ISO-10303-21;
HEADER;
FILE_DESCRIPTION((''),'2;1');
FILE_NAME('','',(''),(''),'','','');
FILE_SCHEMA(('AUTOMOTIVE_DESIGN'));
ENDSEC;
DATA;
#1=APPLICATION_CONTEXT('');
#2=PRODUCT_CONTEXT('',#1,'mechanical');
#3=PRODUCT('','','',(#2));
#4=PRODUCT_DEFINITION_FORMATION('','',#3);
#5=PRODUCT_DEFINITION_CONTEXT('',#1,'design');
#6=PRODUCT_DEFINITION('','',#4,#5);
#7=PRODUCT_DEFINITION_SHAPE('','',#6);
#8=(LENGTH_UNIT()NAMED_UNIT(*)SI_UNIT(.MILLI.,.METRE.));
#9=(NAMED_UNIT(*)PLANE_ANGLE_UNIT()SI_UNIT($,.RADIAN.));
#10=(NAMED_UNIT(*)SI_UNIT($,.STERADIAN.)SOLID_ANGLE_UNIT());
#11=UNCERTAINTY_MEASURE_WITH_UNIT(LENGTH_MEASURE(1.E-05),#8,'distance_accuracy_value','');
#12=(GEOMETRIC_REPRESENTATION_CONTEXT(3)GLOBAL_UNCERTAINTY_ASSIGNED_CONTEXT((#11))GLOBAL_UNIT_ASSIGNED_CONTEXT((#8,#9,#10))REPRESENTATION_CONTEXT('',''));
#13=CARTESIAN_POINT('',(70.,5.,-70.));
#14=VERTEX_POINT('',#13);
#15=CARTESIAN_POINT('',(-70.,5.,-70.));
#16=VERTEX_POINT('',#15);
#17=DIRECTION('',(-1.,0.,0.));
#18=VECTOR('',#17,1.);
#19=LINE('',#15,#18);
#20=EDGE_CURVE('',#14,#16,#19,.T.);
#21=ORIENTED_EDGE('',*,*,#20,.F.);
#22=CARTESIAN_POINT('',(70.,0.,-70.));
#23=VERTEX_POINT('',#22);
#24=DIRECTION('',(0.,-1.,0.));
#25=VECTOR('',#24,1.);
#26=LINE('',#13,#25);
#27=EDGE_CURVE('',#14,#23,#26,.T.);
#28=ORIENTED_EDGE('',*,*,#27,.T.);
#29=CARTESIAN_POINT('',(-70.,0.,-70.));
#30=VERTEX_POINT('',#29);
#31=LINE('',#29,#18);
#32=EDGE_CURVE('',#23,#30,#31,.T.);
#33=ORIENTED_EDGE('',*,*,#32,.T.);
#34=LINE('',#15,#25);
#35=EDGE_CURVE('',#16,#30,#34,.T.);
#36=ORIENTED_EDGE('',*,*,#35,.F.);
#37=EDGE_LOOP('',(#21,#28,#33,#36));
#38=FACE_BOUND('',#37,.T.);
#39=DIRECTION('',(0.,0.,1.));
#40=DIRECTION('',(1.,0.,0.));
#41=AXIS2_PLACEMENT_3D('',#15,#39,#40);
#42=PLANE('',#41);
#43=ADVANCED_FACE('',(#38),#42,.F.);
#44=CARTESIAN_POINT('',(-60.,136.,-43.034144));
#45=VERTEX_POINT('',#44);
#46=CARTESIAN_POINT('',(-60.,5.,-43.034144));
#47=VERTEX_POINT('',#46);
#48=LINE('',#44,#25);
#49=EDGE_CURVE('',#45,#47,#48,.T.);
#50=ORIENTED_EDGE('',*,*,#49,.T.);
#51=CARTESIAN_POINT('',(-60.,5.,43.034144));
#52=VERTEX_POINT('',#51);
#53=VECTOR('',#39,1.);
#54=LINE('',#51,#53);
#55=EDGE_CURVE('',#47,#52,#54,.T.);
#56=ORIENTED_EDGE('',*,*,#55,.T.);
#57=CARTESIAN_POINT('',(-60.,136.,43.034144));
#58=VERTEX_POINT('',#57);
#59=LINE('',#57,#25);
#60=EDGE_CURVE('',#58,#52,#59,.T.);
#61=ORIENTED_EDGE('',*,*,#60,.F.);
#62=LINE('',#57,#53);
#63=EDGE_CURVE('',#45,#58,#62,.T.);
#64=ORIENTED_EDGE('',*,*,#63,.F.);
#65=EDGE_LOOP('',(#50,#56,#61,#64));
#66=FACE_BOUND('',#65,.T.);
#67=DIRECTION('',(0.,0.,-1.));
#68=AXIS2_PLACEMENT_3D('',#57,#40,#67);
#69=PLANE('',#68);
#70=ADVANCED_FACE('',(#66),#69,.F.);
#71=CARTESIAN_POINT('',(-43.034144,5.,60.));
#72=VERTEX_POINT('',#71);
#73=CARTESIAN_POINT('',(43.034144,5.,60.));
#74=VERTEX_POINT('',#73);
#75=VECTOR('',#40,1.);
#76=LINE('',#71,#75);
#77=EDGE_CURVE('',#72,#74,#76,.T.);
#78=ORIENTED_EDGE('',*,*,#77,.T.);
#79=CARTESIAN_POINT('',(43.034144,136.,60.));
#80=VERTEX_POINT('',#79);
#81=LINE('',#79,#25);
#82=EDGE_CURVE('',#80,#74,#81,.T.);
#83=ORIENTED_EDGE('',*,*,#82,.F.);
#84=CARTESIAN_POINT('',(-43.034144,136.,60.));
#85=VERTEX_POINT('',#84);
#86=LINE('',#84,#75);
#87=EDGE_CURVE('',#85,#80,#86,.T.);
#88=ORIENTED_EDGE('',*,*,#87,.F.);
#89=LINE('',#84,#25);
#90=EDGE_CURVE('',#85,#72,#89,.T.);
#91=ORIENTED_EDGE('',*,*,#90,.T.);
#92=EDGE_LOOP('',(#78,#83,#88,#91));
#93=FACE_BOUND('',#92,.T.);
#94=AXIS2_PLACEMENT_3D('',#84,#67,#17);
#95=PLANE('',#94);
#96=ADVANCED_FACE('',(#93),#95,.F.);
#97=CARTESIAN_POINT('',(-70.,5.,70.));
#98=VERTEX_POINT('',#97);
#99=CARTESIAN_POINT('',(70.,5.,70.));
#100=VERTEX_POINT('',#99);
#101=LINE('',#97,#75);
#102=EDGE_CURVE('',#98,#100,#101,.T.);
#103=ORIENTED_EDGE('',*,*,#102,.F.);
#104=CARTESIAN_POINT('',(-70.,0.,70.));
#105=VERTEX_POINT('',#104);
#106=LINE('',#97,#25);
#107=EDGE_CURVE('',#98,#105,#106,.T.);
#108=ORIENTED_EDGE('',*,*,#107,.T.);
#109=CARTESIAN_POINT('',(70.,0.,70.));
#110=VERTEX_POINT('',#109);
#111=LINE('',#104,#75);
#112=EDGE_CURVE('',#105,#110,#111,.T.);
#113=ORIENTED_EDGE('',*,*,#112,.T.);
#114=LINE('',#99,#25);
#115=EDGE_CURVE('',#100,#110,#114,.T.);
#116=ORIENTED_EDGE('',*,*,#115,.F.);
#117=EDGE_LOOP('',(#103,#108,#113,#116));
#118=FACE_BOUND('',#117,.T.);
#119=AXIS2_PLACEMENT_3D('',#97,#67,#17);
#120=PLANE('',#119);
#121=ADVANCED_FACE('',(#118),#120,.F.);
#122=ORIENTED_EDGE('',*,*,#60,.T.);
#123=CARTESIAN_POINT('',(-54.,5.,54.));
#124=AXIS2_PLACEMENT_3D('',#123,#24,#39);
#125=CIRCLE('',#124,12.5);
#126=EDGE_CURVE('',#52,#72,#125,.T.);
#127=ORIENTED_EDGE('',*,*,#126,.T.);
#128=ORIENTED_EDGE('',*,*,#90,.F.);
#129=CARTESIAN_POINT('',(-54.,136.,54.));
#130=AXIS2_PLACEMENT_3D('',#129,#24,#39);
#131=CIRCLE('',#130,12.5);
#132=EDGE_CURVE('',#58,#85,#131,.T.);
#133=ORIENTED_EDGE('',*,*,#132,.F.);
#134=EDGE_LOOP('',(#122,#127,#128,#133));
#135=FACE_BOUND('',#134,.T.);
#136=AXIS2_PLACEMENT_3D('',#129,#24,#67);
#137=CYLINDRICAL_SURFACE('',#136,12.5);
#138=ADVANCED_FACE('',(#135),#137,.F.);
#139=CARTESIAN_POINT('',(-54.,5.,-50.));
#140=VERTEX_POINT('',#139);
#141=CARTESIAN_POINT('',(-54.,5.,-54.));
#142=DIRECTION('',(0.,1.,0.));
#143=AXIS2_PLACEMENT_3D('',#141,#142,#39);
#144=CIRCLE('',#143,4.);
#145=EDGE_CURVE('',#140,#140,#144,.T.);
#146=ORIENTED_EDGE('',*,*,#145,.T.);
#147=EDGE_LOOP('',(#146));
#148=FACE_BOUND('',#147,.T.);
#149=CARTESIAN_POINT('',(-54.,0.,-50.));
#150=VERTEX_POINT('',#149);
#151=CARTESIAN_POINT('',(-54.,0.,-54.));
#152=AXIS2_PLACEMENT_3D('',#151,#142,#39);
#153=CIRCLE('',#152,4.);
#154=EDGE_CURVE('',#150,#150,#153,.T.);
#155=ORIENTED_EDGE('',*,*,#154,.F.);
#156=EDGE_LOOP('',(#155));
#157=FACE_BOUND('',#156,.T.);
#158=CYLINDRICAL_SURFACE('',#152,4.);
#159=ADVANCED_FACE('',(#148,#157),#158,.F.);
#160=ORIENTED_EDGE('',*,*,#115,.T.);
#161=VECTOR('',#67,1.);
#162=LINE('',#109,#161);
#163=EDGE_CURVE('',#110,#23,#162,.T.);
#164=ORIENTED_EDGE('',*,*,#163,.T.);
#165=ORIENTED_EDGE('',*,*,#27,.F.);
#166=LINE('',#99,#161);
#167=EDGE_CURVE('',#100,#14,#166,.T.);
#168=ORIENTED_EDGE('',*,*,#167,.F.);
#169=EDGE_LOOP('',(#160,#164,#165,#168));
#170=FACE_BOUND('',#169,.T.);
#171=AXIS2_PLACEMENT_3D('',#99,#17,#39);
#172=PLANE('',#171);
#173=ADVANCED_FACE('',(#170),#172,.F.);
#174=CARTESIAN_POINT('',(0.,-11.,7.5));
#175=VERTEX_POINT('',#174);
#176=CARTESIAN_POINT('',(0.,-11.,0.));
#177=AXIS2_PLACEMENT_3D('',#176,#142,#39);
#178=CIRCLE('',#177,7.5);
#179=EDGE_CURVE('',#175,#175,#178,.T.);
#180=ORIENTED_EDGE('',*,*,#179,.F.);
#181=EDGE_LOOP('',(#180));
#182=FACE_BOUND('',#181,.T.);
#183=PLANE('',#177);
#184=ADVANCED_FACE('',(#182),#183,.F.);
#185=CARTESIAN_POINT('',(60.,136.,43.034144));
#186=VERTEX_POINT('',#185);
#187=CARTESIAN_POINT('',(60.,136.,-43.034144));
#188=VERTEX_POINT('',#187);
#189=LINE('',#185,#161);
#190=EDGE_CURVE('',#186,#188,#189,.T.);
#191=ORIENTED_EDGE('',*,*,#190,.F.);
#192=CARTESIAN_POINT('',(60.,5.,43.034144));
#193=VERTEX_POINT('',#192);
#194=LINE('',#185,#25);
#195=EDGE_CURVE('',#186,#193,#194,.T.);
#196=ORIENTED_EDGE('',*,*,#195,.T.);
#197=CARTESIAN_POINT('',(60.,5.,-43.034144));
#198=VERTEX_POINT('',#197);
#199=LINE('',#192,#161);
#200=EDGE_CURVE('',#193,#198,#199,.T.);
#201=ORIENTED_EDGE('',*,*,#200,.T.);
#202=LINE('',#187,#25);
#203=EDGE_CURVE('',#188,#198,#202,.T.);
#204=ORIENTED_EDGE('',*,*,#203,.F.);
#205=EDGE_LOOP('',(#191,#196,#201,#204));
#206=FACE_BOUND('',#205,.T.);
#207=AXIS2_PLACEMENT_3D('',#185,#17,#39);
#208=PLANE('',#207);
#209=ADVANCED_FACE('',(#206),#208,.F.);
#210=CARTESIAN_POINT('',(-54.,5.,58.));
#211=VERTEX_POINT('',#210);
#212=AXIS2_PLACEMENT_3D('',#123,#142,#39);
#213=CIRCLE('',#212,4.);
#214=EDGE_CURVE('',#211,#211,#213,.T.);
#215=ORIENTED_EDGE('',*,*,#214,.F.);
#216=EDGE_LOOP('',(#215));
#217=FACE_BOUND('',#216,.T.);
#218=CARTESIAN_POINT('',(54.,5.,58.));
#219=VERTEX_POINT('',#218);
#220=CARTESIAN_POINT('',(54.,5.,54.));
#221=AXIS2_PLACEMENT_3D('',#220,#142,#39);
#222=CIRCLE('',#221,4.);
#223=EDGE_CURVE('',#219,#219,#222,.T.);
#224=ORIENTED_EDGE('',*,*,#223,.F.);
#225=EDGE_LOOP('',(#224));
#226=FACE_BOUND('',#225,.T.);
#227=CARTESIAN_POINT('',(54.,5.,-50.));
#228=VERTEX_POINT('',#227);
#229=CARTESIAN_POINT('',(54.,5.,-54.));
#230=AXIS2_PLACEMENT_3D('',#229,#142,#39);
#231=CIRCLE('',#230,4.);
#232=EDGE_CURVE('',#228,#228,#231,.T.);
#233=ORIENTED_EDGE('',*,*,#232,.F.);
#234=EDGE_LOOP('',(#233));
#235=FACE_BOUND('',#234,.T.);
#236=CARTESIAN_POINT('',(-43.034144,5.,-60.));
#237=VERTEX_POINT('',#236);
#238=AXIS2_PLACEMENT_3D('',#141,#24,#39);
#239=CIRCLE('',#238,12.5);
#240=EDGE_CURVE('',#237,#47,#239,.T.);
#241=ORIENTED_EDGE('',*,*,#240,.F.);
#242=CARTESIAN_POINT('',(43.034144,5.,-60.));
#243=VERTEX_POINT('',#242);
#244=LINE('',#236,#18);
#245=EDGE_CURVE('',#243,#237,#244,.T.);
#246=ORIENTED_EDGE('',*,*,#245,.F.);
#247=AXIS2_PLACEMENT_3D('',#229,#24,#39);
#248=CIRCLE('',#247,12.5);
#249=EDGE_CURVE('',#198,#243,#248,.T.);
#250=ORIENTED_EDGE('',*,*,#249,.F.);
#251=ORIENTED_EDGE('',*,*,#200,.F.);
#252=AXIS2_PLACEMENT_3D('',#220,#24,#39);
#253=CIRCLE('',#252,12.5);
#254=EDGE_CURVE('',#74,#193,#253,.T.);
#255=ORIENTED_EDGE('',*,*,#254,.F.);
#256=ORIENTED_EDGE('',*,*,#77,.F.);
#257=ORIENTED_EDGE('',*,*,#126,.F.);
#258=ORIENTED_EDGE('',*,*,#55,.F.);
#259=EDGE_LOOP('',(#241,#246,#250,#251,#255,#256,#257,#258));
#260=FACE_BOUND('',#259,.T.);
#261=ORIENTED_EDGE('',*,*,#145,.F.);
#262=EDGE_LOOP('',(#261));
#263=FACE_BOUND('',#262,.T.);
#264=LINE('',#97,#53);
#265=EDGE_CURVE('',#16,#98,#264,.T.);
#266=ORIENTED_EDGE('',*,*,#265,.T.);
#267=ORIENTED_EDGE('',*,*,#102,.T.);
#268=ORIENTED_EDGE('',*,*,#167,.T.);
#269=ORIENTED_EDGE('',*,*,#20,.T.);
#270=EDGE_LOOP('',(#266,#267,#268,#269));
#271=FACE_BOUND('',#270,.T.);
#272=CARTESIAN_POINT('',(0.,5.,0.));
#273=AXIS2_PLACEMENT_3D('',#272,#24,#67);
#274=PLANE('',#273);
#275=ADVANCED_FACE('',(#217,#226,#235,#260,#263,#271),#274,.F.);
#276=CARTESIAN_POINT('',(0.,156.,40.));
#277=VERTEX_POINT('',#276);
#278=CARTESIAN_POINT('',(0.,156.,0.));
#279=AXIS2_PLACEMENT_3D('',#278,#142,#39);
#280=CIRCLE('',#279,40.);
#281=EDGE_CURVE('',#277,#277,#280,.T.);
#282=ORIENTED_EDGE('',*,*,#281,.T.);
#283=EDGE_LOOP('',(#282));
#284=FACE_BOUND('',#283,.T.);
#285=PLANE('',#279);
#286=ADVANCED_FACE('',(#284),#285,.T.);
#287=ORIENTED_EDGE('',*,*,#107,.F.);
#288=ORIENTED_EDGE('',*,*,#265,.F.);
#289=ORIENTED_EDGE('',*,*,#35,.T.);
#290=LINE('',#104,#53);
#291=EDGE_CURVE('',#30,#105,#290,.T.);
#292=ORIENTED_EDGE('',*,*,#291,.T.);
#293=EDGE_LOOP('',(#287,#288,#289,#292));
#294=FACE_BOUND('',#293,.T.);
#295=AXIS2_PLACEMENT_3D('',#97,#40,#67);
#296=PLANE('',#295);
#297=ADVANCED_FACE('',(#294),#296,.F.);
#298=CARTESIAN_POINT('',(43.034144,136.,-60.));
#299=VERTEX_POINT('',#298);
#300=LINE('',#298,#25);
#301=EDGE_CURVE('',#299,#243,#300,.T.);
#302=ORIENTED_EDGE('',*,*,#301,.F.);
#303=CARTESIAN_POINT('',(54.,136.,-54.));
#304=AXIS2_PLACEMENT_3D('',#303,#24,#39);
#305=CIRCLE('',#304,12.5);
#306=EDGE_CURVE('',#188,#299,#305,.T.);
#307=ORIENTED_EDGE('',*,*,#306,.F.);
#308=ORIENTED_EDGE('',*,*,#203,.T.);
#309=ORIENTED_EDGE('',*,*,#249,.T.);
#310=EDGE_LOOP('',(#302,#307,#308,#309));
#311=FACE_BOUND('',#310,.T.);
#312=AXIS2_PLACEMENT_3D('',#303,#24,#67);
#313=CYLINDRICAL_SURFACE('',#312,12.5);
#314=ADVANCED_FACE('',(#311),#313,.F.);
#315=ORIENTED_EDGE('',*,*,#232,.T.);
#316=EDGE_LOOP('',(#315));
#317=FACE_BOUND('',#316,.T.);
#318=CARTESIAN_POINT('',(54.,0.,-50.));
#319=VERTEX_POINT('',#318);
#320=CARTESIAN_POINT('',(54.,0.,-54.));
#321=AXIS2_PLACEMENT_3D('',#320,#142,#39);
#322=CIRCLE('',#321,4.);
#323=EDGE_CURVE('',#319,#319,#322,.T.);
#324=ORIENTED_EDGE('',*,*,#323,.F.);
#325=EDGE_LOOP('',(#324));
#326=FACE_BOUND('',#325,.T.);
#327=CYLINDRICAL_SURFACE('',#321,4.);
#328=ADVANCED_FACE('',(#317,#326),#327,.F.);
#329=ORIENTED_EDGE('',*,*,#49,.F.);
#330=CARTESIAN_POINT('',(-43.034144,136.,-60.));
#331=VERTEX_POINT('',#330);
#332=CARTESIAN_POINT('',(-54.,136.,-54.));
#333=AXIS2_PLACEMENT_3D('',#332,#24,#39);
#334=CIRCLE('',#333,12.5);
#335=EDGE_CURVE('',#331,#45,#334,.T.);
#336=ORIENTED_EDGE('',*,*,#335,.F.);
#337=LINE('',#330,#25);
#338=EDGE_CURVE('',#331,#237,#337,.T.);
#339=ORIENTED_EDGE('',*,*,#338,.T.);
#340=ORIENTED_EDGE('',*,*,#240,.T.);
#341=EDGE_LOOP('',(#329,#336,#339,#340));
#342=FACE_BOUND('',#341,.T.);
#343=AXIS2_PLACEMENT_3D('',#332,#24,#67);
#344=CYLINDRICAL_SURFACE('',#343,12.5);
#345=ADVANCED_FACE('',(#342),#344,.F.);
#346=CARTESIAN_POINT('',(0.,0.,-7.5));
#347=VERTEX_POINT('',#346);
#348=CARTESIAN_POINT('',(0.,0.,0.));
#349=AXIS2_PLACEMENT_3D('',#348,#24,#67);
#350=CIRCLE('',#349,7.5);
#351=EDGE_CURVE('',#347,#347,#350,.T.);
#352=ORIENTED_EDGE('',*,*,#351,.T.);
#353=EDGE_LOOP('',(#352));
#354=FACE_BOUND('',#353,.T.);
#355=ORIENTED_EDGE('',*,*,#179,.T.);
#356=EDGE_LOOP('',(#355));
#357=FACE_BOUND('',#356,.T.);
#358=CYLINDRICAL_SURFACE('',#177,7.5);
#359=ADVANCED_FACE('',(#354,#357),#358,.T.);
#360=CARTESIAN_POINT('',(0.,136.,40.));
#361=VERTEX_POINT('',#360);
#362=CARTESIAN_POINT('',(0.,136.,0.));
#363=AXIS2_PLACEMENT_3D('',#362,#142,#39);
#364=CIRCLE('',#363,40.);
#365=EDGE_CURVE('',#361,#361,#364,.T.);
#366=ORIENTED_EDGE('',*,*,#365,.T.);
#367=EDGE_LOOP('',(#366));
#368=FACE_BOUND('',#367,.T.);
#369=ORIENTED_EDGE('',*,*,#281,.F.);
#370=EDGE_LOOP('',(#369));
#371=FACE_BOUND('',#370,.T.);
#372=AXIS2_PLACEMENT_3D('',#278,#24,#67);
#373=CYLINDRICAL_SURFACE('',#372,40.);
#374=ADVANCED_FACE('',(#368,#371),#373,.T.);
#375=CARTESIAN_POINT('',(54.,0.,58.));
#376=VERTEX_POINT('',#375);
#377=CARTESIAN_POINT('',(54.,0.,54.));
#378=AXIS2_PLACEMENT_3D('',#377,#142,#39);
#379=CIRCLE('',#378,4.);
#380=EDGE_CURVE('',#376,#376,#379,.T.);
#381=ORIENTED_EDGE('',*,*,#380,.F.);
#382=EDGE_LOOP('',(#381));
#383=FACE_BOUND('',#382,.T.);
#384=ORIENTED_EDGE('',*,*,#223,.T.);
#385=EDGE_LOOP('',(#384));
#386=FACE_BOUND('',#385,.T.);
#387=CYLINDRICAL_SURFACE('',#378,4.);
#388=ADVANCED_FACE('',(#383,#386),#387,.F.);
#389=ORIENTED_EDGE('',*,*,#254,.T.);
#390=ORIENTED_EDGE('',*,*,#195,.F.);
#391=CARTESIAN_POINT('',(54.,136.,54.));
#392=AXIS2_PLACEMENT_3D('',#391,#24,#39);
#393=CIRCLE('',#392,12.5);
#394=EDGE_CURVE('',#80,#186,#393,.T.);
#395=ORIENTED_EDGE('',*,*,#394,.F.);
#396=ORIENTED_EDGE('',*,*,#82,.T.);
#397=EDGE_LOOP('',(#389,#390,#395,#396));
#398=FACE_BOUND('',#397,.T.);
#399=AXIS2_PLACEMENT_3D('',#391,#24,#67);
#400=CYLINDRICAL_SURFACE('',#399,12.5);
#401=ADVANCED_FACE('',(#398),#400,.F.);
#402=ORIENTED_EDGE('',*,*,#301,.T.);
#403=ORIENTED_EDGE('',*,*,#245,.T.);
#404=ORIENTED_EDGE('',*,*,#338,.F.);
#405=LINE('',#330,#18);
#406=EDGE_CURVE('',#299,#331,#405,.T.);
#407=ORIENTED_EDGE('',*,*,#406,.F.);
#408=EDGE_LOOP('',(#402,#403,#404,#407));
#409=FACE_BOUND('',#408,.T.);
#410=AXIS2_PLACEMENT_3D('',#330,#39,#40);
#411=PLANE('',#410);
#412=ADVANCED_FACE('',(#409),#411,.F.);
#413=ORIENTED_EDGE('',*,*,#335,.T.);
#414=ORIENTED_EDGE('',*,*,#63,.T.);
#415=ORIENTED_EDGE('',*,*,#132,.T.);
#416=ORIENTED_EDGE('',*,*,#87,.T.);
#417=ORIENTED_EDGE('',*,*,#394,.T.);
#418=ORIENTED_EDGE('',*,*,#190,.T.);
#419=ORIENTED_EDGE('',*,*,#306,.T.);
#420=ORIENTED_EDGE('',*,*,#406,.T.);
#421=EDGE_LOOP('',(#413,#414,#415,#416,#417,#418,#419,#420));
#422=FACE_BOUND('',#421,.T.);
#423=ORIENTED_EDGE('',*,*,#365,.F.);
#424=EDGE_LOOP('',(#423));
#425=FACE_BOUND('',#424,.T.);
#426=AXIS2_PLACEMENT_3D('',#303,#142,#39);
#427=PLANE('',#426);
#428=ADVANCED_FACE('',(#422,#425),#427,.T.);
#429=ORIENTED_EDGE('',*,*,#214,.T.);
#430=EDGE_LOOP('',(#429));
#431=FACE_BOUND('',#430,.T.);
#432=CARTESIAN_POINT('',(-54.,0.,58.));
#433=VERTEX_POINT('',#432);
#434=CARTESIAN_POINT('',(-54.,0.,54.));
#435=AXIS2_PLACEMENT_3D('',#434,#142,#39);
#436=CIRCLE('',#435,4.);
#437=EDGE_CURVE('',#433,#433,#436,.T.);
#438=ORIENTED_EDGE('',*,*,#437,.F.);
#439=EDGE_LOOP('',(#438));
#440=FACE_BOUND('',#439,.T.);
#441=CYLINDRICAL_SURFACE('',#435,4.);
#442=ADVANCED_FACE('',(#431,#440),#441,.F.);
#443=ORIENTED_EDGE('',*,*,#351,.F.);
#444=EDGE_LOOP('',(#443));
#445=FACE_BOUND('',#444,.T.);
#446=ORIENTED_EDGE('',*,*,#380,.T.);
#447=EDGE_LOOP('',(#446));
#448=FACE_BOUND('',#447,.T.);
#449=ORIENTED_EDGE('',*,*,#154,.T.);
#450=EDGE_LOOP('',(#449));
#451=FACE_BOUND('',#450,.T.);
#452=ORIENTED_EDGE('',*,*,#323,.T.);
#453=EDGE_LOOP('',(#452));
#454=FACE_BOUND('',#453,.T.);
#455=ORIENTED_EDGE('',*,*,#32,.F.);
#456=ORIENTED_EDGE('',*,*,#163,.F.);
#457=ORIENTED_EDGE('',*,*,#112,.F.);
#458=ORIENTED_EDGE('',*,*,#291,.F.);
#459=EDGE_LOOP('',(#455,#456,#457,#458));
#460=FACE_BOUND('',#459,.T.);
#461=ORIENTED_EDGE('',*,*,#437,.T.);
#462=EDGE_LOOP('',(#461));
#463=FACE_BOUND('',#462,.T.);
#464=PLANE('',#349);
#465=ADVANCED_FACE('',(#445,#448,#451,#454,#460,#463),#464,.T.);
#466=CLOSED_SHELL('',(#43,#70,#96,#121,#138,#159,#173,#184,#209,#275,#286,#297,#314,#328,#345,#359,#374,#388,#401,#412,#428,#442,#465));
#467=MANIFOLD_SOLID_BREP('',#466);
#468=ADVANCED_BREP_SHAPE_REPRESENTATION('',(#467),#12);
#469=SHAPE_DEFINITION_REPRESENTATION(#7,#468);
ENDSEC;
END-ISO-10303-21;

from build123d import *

# Parameters (mm, degrees)
SKETCH_1_W          = 140
SKETCH_1_H          = 140
EXTRUDE_1_DEPTH     = 5
SKETCH_2_R          = 4
CUT_EXTRUDE_1_DEPTH = 5
SKETCH_3_R          = 7.5
EXTRUDE_2_DEPTH     = 16
EXTRUDE_3_DEPTH     = 131
SKETCH_5_R          = 40
EXTRUDE_4_DEPTH     = 20


with BuildPart() as part:
    # 草图1 → 凸台-拉伸1 (new body)
    with BuildSketch(Plane(origin=(0, 0, 0), x_dir=(1, 0, 0), z_dir=(0, 1, 0))):
        Rectangle(SKETCH_1_W, SKETCH_1_H)
    extrude(amount=EXTRUDE_1_DEPTH)

    # 草图2 → 切除-拉伸1 (cut)
    with BuildSketch(Plane(origin=(0, 5, 0), x_dir=(1, 0, 0), z_dir=(0, 1, 0))):
        with Locations(Location((-54, 54, 0), (0, 0, 270))):
            Circle(SKETCH_2_R)
        with Locations(Location((54, 54, 0), (0, 0, 270))):
            Circle(SKETCH_2_R)
        with Locations(Location((54, -54, 0), (0, 0, 270))):
            Circle(SKETCH_2_R)
        with Locations(Location((-54, -54, 0), (0, 0, 270))):
            Circle(SKETCH_2_R)
    extrude(amount=-CUT_EXTRUDE_1_DEPTH, mode=Mode.SUBTRACT)

    # 草图3 → 凸台-拉伸2 (add)
    with BuildSketch(Plane(origin=(0, 5, 0), x_dir=(1, 0, 0), z_dir=(0, 1, 0))):
        with Locations(Location((0, 0, 0), (0, 0, 270))):
            Circle(SKETCH_3_R)
    extrude(amount=-EXTRUDE_2_DEPTH)

    # 草图4 → 凸台-拉伸3 (add)
    with BuildSketch(Plane(origin=(0, 5, 0), x_dir=(1, 0, 0), z_dir=(0, 1, 0))):
        with BuildLine():
            Line((-43.0341439, -60), (43.0341439, -60))
            ThreePointArc((43.0341439, -60), (45.161165235, -45.161165235), (60, -43.0341439))
            Line((60, -43.0341439), (60, 43.0341439))
            ThreePointArc((60, 43.0341439), (45.161165235, 45.161165235), (43.0341439, 60))
            Line((43.0341439, 60), (-43.0341439, 60))
            ThreePointArc((-43.0341439, 60), (-45.161165235, 45.161165235), (-60, 43.0341439))
            Line((-60, 43.0341439), (-60, -43.0341439))
            ThreePointArc((-60, -43.0341439), (-45.161165235, -45.161165235), (-43.0341439, -60))
        make_face()
    extrude(amount=EXTRUDE_3_DEPTH)

    # 草图5 → 凸台-拉伸4 (add)
    with BuildSketch(Plane(origin=(0, 136, 0), x_dir=(1, 0, 0), z_dir=(0, 1, 0))):
        with Locations(Location((0, 0, 0), (0, 0, 270))):
            Circle(SKETCH_5_R)
    extrude(amount=EXTRUDE_4_DEPTH)


solid = part.part
